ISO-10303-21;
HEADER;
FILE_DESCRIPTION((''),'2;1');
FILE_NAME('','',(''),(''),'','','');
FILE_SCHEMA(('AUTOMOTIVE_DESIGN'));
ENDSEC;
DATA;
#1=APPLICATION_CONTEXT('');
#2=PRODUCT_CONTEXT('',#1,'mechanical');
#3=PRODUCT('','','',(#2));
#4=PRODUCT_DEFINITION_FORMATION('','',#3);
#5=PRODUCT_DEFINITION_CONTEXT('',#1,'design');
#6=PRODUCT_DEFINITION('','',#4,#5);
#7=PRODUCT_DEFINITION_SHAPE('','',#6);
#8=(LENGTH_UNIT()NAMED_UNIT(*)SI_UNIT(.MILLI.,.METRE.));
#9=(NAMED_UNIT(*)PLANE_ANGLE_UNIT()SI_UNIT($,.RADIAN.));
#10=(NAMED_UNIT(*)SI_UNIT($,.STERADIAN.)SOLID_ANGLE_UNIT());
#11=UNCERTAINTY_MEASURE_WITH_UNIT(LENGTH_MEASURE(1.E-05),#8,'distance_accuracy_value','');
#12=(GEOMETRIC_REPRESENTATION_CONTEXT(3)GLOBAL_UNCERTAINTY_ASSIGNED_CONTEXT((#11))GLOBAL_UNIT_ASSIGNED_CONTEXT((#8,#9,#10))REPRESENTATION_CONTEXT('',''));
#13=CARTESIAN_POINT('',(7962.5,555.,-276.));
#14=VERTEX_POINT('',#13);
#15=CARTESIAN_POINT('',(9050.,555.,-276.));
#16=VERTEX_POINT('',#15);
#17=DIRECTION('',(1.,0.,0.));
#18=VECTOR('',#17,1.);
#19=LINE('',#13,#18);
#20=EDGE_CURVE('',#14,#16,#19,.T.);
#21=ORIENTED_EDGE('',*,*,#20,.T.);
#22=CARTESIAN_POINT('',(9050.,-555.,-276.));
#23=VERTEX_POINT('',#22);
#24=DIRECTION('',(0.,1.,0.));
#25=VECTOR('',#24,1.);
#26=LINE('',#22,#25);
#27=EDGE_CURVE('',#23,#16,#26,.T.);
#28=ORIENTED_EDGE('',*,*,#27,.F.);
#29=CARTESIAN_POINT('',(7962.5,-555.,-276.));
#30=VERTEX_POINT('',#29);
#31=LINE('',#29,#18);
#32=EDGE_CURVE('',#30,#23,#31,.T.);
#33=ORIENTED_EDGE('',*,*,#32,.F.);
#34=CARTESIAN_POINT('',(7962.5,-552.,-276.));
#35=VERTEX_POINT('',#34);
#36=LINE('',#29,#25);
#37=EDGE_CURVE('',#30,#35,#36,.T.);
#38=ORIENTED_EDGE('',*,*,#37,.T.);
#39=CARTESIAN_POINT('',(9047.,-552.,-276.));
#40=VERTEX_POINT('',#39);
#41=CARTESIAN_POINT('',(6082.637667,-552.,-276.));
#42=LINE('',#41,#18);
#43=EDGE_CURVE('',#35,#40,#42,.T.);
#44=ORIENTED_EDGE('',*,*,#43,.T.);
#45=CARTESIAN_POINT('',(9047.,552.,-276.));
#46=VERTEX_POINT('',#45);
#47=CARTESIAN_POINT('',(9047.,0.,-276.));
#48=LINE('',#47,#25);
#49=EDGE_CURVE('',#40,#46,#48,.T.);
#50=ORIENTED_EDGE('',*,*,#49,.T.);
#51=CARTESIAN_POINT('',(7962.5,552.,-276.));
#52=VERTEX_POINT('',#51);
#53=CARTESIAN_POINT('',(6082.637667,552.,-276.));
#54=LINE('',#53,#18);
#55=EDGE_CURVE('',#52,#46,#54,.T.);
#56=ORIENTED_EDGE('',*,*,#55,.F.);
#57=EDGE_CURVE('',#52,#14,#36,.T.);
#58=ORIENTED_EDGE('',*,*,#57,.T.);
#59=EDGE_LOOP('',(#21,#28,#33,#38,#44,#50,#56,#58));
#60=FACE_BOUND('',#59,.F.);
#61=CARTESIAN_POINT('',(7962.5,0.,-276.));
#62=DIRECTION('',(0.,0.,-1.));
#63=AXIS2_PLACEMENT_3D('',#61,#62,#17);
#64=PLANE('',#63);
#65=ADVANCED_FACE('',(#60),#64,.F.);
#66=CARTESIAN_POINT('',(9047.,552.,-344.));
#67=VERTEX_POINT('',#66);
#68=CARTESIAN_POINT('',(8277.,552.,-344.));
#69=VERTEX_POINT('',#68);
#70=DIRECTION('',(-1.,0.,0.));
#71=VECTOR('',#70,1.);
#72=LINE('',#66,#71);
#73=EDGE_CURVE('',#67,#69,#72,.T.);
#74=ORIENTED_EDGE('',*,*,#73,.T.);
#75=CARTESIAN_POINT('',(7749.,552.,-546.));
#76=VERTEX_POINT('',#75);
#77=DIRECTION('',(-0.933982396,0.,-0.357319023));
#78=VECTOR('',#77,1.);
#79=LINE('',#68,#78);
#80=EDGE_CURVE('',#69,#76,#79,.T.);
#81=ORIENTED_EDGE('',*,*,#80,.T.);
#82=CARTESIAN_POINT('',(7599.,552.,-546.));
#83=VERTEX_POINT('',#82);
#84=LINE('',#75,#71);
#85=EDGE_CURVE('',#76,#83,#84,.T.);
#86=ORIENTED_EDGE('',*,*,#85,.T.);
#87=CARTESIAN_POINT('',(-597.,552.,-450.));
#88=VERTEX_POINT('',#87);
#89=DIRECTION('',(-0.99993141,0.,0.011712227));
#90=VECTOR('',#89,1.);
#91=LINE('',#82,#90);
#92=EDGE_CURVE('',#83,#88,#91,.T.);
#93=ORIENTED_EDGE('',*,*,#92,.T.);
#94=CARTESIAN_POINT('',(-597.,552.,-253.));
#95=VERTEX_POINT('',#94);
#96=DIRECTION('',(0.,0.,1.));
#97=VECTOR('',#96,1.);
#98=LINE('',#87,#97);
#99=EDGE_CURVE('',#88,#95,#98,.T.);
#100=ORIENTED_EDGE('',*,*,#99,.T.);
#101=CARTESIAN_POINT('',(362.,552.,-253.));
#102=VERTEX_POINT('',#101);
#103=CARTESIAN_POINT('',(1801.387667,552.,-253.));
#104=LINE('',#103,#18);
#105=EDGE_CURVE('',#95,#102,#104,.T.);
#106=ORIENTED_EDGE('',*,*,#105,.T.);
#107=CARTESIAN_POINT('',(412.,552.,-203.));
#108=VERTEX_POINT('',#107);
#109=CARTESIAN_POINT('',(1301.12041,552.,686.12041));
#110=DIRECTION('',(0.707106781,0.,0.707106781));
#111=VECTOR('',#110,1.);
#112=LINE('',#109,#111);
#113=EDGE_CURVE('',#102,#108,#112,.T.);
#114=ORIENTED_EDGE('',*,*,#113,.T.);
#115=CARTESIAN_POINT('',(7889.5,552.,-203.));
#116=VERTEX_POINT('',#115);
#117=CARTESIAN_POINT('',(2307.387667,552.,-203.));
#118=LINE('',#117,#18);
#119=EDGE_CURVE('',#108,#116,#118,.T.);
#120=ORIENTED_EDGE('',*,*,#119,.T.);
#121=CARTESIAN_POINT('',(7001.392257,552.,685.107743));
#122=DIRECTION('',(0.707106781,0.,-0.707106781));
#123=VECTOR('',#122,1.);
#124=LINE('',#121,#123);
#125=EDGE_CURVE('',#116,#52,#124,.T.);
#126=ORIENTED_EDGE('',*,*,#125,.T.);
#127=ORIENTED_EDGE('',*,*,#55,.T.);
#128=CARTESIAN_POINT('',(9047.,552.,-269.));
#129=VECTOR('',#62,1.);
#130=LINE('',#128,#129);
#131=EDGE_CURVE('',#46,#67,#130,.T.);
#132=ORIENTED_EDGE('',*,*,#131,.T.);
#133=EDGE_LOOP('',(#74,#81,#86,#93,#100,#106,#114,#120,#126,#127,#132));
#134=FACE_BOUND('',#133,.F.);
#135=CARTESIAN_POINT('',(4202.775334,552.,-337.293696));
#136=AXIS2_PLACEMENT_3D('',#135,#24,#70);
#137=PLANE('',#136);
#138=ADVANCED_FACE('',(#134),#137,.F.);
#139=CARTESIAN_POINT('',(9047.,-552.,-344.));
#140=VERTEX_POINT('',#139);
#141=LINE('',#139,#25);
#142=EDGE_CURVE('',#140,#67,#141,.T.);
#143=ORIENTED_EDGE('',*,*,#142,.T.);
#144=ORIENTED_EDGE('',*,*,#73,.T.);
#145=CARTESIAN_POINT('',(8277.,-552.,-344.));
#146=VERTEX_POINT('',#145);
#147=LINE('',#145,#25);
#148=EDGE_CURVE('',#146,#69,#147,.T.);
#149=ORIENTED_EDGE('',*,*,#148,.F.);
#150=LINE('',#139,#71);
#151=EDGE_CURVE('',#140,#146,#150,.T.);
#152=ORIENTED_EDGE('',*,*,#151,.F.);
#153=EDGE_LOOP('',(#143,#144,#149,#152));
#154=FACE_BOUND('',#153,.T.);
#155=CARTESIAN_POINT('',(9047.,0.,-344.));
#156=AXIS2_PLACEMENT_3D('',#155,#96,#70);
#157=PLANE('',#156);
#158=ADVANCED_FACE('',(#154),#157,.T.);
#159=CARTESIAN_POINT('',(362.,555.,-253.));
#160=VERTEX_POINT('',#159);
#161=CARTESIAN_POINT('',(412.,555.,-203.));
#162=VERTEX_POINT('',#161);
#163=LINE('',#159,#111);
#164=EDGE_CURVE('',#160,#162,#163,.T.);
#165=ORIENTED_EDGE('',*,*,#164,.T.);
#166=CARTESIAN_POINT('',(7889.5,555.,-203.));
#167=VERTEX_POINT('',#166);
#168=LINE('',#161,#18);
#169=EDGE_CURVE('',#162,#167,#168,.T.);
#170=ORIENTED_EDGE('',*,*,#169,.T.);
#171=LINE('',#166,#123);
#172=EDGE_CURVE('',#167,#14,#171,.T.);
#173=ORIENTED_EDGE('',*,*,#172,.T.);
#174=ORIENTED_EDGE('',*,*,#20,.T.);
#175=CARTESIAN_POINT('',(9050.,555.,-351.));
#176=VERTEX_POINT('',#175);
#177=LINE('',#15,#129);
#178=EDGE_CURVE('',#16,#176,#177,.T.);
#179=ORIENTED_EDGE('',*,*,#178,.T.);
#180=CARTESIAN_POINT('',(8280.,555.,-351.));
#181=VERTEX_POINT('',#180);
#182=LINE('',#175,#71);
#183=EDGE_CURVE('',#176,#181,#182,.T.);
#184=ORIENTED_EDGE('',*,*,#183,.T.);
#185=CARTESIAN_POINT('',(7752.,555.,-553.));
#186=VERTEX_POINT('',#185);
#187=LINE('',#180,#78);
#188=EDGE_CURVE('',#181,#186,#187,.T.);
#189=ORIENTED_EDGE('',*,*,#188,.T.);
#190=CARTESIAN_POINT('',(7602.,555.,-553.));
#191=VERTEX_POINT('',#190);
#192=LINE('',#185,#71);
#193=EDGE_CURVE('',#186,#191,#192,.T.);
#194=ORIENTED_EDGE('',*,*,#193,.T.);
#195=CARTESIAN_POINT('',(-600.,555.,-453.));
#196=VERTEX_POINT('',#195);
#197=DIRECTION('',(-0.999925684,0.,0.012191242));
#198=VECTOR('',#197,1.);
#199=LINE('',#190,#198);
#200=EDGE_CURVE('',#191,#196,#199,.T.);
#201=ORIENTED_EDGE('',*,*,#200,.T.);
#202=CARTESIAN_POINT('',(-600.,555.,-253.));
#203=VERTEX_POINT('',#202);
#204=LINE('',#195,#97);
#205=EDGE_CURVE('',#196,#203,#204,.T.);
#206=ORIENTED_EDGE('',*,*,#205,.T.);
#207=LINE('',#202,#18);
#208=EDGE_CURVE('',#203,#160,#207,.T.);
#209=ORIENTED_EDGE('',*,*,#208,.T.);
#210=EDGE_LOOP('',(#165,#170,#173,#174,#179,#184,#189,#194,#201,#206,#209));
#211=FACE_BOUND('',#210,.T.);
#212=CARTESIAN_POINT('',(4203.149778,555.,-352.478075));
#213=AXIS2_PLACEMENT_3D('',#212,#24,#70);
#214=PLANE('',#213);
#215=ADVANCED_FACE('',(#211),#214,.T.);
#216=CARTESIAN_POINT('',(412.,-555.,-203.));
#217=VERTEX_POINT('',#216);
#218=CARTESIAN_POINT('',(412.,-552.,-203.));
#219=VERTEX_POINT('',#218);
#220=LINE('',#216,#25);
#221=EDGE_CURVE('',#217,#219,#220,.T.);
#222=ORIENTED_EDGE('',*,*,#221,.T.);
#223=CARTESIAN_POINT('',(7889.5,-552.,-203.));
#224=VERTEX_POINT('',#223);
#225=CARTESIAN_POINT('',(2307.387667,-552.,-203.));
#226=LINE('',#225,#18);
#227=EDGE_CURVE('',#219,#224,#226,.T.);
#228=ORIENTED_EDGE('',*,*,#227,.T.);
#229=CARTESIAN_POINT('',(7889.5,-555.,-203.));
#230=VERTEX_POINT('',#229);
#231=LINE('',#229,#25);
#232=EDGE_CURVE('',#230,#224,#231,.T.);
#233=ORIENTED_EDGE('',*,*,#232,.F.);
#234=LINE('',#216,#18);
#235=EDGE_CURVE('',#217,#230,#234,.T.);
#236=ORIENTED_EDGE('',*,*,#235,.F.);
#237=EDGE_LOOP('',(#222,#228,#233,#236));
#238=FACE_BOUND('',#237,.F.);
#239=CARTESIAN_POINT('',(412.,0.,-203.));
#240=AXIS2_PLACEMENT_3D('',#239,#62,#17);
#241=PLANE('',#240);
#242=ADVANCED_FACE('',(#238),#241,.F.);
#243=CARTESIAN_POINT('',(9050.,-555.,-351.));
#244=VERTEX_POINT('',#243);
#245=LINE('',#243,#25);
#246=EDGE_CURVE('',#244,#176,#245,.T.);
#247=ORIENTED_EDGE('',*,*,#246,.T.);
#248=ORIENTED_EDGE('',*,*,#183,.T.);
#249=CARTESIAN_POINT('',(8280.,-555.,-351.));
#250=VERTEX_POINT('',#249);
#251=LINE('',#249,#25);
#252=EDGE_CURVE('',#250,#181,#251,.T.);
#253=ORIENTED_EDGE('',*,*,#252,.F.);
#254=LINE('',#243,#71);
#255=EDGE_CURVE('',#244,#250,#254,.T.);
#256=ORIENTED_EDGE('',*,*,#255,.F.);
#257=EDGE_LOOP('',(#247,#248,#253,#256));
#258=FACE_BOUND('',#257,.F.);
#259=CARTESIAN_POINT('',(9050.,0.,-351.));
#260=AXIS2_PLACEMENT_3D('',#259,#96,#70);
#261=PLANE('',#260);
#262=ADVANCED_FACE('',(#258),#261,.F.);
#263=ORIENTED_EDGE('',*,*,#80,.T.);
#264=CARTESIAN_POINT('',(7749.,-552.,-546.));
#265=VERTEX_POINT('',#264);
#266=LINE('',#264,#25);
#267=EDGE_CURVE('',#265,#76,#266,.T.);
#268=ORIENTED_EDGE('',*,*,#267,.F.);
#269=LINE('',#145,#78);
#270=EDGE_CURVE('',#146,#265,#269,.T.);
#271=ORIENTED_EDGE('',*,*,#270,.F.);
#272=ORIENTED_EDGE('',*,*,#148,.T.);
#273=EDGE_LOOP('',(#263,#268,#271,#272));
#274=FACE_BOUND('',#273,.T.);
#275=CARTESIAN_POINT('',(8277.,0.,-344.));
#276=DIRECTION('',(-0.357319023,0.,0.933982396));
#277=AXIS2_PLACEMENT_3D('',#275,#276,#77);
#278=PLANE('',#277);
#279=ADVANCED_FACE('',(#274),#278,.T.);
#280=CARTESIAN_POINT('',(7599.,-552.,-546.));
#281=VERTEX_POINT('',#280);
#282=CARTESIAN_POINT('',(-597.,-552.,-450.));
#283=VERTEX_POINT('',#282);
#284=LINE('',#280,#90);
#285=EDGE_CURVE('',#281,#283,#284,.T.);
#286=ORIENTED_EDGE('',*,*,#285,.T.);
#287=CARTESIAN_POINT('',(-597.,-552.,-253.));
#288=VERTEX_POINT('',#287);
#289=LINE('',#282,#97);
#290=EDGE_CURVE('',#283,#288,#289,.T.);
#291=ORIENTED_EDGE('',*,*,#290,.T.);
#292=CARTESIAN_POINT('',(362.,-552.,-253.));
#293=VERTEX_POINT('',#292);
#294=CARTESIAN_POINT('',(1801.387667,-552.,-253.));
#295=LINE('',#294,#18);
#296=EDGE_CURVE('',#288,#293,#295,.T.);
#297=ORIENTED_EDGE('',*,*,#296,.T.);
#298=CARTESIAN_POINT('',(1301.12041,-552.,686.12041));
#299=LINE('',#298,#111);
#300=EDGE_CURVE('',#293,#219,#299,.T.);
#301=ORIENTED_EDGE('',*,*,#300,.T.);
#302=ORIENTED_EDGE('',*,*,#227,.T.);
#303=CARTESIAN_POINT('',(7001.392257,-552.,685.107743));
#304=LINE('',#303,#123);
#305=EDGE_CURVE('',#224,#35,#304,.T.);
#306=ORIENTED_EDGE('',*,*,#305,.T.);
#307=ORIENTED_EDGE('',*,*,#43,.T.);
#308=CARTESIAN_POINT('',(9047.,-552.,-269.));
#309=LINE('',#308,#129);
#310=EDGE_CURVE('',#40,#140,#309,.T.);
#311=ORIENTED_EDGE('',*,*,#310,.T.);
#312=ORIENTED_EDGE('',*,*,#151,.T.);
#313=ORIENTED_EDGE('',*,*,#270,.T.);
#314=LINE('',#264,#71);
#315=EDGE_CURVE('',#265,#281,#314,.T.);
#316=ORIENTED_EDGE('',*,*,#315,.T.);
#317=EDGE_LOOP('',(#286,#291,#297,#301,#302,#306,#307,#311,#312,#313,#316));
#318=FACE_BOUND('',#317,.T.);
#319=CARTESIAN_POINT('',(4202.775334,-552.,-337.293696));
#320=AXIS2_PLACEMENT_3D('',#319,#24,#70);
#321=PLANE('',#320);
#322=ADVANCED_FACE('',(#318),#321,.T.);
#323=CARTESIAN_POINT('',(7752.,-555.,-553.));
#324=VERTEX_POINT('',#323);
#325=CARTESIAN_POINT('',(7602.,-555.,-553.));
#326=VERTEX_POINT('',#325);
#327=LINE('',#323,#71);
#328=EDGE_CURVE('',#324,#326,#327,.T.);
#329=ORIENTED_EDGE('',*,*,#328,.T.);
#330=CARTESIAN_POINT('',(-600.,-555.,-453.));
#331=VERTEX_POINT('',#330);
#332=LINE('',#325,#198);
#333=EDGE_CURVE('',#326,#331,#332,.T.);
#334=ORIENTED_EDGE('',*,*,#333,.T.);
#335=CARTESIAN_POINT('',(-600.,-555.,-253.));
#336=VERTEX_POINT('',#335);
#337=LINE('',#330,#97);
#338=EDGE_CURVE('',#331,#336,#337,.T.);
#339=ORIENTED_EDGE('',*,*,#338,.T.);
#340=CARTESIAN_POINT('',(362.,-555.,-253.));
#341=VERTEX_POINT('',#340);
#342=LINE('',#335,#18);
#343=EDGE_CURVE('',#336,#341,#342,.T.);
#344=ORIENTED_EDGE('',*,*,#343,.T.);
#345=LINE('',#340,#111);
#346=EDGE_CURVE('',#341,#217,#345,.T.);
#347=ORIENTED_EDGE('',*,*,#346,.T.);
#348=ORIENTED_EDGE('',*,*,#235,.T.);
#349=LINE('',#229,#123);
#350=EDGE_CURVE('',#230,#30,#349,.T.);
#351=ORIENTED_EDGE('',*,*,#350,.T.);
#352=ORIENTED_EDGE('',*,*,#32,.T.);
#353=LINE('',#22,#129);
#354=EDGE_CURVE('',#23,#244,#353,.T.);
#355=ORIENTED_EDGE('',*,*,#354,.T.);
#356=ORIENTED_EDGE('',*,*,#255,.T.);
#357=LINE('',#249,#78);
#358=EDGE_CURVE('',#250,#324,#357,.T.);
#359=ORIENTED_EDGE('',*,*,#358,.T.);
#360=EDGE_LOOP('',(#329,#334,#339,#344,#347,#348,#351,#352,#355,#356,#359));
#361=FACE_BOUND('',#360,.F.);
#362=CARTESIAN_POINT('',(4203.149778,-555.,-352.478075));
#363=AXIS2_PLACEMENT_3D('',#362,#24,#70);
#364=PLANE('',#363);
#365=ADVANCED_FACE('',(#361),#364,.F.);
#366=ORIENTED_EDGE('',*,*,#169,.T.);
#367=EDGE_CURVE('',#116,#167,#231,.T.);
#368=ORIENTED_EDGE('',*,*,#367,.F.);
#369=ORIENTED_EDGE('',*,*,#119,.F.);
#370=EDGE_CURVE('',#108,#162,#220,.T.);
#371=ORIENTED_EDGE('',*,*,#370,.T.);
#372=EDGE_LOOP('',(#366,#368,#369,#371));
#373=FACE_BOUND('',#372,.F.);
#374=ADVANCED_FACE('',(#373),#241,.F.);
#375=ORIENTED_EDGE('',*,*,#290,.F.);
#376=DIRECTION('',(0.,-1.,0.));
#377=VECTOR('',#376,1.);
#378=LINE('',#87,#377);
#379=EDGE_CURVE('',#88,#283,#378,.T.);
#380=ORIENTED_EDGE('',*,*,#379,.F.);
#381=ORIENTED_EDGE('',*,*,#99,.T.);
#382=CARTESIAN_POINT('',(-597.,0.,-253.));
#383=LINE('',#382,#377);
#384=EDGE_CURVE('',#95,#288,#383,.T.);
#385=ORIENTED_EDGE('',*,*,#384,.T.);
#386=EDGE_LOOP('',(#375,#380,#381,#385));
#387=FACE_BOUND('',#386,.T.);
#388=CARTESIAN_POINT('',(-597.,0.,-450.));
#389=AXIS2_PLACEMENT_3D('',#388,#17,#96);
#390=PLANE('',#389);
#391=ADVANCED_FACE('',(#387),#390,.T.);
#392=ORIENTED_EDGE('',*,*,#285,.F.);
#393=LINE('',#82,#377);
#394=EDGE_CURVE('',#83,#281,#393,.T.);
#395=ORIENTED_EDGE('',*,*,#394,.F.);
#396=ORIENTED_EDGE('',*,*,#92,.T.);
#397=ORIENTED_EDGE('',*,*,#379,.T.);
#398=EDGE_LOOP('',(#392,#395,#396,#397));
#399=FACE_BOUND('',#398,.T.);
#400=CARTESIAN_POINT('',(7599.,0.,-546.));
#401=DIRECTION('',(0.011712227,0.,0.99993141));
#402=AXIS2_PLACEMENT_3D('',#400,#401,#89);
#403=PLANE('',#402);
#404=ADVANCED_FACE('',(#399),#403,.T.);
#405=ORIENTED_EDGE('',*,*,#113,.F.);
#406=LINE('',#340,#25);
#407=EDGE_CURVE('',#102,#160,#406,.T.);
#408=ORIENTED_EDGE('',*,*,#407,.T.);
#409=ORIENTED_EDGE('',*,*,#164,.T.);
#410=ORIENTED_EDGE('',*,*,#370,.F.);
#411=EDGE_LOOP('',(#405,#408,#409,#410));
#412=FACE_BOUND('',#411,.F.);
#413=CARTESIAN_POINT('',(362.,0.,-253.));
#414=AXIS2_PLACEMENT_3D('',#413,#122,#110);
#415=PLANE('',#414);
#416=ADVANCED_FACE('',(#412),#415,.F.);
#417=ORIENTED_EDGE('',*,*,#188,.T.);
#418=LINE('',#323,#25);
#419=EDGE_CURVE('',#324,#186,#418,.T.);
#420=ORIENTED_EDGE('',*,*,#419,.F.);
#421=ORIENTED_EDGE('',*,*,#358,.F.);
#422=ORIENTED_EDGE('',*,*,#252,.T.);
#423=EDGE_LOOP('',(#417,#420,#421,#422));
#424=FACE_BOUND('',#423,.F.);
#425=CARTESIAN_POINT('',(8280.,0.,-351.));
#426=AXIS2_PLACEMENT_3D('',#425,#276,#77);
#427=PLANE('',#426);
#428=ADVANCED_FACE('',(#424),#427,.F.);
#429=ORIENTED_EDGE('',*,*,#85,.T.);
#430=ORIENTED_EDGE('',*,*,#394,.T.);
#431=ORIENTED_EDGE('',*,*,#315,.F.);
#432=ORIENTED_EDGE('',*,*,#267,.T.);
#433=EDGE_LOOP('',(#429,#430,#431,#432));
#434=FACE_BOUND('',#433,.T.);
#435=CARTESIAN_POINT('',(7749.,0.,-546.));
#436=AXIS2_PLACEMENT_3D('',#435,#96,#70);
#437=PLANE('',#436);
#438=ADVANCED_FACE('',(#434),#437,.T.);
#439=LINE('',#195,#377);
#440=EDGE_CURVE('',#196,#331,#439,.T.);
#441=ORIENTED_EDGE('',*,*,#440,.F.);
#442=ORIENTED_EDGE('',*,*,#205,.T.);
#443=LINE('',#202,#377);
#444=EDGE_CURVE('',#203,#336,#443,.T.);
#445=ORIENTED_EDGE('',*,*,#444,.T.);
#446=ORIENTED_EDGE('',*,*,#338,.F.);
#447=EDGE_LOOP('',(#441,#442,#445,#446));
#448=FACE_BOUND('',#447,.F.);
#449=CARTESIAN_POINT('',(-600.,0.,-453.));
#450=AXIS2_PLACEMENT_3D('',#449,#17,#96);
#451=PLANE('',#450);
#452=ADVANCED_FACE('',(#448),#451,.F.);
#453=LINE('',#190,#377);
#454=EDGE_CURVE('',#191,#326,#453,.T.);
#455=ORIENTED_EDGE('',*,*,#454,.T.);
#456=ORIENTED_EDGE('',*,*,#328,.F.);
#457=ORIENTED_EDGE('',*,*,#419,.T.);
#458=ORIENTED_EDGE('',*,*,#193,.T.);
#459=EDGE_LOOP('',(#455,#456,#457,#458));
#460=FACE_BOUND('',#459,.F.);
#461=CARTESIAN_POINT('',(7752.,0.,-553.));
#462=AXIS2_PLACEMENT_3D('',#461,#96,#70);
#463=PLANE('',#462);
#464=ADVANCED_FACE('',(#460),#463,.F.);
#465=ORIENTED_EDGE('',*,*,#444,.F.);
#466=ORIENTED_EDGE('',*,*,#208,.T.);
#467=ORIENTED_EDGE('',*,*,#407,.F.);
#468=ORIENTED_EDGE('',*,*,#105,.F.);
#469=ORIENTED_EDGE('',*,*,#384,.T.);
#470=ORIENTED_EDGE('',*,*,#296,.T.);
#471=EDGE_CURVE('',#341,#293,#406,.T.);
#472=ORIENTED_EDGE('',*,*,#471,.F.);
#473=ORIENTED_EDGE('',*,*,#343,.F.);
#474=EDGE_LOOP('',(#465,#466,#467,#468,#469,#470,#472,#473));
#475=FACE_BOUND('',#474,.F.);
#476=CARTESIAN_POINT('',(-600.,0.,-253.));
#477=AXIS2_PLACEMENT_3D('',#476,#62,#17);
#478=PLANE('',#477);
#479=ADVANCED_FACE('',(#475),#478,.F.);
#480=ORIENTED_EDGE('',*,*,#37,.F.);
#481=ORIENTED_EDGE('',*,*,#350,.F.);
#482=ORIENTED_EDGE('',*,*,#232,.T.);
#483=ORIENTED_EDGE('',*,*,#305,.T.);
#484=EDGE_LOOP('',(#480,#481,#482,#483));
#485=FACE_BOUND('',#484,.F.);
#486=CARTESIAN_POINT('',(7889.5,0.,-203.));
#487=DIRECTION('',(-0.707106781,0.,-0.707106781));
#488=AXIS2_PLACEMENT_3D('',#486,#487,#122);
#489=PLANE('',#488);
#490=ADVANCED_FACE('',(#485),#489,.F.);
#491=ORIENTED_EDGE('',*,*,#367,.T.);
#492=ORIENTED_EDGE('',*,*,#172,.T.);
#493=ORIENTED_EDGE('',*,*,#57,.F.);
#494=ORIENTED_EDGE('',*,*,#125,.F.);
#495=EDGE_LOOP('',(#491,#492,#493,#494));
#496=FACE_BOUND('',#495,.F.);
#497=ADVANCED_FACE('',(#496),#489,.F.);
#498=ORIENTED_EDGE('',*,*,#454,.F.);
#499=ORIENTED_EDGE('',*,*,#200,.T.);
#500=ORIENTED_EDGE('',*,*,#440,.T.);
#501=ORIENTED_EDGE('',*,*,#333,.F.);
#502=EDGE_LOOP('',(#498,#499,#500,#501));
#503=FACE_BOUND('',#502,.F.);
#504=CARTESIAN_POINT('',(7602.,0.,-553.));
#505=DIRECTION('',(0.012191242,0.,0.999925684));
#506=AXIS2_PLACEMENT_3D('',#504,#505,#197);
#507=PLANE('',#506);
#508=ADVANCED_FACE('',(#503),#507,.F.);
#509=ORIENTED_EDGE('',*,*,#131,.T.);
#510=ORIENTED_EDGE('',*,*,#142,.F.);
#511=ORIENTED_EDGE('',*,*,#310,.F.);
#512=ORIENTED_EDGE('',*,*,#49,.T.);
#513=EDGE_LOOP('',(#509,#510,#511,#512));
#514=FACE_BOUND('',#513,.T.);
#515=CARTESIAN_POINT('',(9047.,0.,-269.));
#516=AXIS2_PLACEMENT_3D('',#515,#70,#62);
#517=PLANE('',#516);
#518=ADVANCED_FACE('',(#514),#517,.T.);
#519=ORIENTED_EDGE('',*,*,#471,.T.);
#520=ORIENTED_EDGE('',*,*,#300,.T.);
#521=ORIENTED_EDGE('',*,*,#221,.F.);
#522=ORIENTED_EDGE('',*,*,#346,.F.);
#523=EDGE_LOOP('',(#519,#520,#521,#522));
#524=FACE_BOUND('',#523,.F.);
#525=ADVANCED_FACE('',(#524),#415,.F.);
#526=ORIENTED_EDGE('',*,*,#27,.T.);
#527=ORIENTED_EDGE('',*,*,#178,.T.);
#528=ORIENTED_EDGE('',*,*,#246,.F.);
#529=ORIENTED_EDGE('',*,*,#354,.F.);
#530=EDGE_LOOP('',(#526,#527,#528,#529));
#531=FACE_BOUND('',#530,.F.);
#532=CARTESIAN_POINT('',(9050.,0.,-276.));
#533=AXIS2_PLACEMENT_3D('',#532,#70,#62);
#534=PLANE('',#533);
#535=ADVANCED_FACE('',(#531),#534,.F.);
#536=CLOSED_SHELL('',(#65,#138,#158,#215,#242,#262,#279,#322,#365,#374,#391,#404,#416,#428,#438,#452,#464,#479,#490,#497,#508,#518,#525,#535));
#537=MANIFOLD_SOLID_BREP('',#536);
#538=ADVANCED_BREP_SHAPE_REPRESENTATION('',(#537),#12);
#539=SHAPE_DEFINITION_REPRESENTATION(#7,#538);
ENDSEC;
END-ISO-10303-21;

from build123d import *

# Parameters (mm, degrees)
EXTRUDE031_DEPTH = 552
EXTRUDE015_DEPTH = 555


with BuildPart() as extrude031:
    # Sketch032 → Extrude031 (new body, symmetric)
    with BuildSketch(Plane.XZ):
        Polygon((-597, -253), (362, -253), (440, -175), (7862.5, -175), (7959.5, -272), (9047, -272), (9047, -347), (8277, -347), (7749, -549), (7599, -549), (-597, -453), align=None)
    extrude(amount=EXTRUDE031_DEPTH, both=True)


with BuildPart() as extrude031_1:
    # Extrude031 placement: moved
    add(extrude031.part.moved(Location((0, 0, 3))))


with BuildPart() as cut:
    # Sketch023 → Extrude015 (new body, symmetric)
    with BuildSketch(Plane.XZ):
        Polygon((-600, -253), (362, -253), (412, -203), (7889.5, -203), (7962.5, -276), (9050, -276), (9050, -351), (8280, -351), (7752, -553), (7602, -553), (-600, -453), align=None)
    extrude(amount=EXTRUDE015_DEPTH, both=True)

    # Cut: cut Extrude031
    add(extrude031_1.part, mode=Mode.SUBTRACT)


solid = cut.part
